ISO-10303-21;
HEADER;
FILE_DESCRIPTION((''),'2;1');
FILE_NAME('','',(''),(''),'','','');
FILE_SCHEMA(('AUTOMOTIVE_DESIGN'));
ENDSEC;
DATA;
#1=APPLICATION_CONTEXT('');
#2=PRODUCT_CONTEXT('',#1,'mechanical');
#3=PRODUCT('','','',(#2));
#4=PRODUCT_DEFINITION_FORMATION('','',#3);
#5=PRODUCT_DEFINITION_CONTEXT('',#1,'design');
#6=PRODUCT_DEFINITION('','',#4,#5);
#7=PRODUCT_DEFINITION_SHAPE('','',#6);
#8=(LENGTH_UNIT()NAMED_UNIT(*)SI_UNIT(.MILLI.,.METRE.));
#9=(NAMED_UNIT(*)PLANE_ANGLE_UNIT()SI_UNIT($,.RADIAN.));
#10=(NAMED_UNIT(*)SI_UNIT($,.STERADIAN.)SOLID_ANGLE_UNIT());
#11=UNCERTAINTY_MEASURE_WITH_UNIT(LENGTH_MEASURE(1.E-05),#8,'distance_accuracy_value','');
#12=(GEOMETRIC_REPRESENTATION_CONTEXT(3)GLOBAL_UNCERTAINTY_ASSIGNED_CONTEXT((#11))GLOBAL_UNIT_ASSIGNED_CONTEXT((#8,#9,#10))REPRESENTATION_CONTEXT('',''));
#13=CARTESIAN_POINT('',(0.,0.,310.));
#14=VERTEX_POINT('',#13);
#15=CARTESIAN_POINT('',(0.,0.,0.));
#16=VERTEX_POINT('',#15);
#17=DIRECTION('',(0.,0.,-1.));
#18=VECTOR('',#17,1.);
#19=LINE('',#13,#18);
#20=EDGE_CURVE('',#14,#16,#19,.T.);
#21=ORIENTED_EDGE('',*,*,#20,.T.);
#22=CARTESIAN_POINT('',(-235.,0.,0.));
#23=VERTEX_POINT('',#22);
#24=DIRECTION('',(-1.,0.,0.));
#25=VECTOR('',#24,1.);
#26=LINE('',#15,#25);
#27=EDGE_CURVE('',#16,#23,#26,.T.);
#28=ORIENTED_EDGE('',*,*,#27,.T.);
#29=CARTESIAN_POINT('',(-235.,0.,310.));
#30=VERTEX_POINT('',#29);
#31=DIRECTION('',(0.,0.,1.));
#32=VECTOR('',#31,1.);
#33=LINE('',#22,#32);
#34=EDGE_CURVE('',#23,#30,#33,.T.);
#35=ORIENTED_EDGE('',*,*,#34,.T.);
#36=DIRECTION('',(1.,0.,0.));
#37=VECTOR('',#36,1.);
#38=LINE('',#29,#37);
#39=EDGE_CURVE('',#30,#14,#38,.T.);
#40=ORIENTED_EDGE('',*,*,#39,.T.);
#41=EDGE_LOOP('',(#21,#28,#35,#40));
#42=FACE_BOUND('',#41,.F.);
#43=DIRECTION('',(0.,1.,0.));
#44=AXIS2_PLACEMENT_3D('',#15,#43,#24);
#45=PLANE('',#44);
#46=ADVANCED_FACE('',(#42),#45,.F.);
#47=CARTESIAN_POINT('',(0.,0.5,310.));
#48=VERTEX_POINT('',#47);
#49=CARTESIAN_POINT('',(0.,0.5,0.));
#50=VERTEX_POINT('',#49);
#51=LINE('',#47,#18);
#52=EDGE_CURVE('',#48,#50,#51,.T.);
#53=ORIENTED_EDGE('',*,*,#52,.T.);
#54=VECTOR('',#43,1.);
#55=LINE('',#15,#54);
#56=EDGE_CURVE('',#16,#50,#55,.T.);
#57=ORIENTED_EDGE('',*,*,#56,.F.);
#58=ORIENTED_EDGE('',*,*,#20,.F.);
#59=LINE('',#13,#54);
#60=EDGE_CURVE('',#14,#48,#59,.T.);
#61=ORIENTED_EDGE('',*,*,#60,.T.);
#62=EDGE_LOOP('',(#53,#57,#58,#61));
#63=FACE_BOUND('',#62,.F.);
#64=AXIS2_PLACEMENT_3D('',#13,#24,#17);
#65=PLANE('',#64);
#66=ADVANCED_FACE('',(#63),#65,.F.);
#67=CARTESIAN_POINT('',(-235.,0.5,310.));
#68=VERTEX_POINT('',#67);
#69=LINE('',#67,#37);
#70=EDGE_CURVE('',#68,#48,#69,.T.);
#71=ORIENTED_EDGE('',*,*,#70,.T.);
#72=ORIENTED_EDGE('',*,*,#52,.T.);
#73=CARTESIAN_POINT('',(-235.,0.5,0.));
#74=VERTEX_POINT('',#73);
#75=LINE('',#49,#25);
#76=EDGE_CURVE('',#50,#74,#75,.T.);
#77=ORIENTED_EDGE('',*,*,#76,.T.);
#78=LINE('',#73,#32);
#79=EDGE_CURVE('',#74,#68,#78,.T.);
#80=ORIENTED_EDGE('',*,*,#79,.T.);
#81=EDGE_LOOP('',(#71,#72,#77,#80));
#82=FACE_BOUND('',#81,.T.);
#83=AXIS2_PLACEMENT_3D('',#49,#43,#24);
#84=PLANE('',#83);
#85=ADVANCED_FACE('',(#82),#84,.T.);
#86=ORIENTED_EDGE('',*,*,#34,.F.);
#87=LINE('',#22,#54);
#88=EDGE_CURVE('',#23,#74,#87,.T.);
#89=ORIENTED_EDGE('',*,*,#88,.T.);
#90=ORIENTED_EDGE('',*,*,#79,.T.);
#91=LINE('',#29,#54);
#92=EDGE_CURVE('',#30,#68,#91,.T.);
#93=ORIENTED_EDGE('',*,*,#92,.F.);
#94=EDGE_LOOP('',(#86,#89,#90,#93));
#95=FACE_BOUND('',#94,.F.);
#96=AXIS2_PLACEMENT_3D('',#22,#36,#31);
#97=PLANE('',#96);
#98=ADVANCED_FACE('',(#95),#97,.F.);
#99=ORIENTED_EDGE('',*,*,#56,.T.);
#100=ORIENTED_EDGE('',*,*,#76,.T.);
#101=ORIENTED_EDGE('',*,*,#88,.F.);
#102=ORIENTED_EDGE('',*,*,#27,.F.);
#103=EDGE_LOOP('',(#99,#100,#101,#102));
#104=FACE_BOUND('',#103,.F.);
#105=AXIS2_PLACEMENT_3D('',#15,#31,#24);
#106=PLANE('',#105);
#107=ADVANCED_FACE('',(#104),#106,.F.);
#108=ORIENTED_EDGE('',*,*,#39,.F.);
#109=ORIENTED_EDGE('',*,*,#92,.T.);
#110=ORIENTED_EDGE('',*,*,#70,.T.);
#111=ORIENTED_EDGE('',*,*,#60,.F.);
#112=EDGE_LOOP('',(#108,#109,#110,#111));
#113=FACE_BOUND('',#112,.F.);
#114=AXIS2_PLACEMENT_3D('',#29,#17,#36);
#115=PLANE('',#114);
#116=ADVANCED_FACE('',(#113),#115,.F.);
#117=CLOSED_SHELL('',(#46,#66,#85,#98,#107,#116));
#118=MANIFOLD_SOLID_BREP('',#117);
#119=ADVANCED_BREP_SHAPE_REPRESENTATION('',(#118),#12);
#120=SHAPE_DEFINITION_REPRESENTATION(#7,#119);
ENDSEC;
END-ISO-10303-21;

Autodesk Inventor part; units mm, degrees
ref_plane "YZ Plane" through (0, 0, 0) normal (1, 0, 0) x (0, 1, 0)
ref_plane "XZ Plane" through (0, 0, 0) normal (0, 1, 0) x (-1, 0, 0)
ref_plane "XY Plane" through (0, 0, 0) normal (0, 0, 1) x (1, 0, 0)
sketch "Sketch1" plane through (0, 0, 0) normal (0, 1, 0) x (-1, 0, 0)
  line L0 (0, 0) -> (235, 0)
  line L1 (235, 0) -> (235, 310)
  line L2 (235, 310) -> (0, 310)
  line L3 (0, 310) -> (0, 0)
  dimension "d0" = 235
  dimension "d1" = 310
extrude "Extrusion1" add sketch "Sketch1" along normal blind 0.5
properties part number "KaptonHeater" material "ABS Plastic"
